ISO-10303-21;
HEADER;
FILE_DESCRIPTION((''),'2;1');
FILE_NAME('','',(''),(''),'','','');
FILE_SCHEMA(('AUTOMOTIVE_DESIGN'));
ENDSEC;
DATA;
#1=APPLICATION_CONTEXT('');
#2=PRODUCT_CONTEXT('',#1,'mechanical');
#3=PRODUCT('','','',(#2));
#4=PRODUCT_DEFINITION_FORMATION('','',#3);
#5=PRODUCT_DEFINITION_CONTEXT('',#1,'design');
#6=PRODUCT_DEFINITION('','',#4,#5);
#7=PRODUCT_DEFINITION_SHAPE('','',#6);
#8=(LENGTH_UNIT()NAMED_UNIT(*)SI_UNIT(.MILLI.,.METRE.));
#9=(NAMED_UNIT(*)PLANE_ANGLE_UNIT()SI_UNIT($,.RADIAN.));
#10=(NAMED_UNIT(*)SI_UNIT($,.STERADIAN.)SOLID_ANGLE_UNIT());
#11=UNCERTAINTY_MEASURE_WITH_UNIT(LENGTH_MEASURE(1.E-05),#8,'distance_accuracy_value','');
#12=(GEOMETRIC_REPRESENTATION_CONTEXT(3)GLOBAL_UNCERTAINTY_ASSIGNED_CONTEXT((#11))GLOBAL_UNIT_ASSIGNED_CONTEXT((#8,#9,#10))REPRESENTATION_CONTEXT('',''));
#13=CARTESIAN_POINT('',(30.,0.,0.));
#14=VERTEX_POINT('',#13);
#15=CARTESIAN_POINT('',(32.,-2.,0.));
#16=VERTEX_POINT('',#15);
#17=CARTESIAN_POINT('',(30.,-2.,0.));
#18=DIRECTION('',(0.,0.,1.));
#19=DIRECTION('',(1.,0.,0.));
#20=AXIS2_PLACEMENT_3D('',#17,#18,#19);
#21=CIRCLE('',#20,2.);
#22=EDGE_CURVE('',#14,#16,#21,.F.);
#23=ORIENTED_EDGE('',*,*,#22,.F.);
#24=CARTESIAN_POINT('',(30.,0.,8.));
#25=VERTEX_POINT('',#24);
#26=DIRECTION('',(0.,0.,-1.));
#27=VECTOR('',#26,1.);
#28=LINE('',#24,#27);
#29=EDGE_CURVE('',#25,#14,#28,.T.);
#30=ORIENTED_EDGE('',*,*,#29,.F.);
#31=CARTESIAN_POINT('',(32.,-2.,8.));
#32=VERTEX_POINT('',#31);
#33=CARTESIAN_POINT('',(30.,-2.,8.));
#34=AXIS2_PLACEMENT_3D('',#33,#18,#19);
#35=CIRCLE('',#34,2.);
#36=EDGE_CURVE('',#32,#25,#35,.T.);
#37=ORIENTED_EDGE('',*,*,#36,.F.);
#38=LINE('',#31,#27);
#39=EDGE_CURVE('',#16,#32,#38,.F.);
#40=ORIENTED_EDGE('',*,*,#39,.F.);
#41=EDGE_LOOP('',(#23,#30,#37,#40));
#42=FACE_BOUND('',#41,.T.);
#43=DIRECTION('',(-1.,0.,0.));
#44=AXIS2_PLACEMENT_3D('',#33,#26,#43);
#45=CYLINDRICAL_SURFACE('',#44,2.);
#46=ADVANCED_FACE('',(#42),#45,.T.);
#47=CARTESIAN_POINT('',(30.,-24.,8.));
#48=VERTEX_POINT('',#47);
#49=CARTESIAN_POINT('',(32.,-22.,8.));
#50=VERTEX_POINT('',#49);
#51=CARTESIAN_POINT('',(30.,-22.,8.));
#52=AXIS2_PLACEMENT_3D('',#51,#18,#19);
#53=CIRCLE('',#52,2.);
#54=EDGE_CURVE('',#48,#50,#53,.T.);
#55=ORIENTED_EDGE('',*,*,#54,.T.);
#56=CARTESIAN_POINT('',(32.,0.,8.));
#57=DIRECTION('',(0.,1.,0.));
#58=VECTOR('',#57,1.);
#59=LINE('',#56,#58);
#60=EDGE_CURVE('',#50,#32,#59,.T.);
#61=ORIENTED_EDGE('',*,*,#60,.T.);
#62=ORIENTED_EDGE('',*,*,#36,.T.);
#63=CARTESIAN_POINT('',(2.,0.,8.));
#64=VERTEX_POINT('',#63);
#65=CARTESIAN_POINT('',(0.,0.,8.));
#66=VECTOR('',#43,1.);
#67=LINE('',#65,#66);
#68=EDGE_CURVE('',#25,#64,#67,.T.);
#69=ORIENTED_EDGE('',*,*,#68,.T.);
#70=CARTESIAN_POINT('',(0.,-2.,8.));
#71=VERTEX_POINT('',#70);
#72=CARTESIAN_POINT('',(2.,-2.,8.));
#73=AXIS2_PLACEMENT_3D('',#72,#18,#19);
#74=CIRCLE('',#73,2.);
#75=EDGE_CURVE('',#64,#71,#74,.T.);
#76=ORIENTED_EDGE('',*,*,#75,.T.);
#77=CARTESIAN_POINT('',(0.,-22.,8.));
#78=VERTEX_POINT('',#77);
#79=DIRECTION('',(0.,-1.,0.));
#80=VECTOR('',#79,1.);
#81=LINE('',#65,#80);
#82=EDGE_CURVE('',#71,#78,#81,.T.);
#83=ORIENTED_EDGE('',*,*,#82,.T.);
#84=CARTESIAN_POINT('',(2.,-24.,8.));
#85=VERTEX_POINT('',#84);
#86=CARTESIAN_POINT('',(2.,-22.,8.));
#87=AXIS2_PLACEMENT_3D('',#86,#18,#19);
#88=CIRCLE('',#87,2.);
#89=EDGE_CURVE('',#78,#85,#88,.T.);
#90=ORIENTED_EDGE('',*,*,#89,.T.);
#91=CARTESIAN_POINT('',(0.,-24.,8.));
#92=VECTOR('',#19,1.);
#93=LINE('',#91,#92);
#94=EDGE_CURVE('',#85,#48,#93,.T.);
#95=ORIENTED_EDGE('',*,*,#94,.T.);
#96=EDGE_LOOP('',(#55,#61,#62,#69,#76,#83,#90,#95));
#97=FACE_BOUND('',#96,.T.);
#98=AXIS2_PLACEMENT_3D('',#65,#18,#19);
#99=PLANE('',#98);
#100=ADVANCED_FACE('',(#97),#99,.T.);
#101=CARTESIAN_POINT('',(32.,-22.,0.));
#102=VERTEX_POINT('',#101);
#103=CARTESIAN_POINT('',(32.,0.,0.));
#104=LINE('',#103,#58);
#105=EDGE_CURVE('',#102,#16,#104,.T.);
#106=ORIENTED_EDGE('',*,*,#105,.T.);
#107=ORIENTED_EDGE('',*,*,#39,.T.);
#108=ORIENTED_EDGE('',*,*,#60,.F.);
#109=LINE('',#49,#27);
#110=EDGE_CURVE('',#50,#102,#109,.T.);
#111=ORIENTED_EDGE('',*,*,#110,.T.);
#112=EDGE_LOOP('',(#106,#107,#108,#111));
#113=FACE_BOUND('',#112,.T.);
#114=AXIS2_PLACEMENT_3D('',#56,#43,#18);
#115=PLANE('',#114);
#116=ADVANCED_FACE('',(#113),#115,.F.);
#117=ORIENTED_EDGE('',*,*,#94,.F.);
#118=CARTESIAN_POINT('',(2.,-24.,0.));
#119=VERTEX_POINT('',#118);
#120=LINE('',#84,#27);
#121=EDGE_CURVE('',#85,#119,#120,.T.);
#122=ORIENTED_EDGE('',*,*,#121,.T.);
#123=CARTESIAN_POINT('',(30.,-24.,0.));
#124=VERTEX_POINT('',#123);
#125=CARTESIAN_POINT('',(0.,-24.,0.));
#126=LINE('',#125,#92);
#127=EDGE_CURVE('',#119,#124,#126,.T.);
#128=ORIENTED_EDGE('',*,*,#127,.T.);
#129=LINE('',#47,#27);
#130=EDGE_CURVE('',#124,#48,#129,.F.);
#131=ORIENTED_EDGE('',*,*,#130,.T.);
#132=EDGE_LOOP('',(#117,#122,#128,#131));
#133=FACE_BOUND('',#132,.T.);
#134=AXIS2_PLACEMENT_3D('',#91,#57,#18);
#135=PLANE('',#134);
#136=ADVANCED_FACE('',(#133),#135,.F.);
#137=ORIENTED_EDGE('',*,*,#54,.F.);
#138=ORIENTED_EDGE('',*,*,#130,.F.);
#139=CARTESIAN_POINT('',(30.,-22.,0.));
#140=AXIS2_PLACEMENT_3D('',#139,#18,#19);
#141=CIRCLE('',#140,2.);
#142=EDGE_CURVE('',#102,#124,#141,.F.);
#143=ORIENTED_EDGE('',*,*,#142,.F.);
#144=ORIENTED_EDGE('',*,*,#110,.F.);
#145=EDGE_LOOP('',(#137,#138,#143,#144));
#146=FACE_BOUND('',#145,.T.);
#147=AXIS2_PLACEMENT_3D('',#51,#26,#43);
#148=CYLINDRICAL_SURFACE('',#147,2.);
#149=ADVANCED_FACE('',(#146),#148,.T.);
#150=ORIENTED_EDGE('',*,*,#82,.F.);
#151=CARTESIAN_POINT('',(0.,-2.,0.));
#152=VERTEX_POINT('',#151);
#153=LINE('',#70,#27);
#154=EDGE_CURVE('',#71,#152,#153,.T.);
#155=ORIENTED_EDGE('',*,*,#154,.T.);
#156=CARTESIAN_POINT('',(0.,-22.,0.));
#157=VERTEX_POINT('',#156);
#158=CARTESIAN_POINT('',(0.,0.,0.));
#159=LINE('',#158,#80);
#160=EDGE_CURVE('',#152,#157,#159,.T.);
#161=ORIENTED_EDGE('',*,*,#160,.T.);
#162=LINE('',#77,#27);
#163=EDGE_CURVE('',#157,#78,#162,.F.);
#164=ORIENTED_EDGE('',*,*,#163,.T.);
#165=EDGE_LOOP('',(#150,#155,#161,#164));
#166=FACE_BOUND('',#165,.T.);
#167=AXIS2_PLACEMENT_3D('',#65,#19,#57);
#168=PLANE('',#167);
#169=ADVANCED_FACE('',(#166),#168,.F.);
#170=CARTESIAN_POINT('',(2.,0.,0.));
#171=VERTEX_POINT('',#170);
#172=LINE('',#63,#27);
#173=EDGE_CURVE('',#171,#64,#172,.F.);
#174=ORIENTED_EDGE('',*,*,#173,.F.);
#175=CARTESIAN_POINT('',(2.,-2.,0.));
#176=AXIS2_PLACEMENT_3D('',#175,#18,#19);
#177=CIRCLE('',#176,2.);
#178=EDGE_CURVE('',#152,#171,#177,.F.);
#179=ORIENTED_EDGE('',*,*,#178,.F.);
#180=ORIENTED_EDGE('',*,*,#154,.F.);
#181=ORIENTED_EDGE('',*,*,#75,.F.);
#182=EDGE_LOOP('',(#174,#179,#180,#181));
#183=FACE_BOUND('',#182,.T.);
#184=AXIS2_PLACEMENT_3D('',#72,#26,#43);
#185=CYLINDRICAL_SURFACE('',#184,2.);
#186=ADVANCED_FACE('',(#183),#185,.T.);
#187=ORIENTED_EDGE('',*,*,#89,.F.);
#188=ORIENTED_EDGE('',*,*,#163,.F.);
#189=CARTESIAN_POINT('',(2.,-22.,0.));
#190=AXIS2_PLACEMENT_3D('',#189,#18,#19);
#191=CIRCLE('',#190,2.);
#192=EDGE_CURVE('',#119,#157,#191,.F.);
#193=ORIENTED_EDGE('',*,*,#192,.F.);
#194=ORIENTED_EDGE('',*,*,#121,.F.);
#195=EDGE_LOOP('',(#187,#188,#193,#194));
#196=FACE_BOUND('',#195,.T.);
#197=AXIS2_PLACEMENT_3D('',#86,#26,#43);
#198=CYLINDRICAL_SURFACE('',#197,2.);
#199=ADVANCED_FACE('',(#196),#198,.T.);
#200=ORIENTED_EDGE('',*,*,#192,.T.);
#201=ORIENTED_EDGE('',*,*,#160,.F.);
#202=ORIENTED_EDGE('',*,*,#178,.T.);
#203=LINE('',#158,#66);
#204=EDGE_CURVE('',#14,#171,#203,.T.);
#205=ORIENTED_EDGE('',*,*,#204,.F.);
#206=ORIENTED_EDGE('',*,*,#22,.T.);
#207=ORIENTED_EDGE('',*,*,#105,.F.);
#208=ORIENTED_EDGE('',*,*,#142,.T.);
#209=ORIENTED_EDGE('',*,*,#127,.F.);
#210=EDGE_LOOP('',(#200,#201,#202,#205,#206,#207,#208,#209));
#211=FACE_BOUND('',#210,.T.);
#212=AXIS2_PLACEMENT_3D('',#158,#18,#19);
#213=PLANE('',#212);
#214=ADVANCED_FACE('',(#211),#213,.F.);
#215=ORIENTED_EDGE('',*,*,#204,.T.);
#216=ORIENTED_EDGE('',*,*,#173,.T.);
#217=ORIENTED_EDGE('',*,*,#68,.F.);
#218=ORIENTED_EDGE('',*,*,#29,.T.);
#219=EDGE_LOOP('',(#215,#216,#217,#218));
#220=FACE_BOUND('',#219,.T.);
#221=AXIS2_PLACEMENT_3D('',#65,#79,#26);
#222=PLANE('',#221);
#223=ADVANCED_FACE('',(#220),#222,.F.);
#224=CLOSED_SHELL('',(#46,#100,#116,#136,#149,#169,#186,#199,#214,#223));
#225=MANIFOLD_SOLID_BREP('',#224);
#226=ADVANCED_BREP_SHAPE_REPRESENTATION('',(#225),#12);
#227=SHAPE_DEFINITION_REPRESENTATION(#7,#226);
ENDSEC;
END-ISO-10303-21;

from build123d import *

# Parameters (mm, degrees)
ESQUISSE1_W        = 32
ESQUISSE1_H        = 24
BOSS_EXTRU_1_DEPTH = 8
CONG_1_R           = 2


with BuildPart() as part:
    # Esquisse1 → Boss.-Extru.1 (new body)
    with BuildSketch(Plane.XY):
        with Locations((16, -12)):
            Rectangle(ESQUISSE1_W, ESQUISSE1_H)
    extrude(amount=BOSS_EXTRU_1_DEPTH)

    # Congé1
    cong_1_edges = [part.edges().sort_by_distance(p)[0] for p in [
        (0, 0, 4),
        (32, 0, 4),
        (32, -24, 4),
        (0, -24, 4),
    ]]
    fillet(cong_1_edges, radius=CONG_1_R)


solid = part.part
